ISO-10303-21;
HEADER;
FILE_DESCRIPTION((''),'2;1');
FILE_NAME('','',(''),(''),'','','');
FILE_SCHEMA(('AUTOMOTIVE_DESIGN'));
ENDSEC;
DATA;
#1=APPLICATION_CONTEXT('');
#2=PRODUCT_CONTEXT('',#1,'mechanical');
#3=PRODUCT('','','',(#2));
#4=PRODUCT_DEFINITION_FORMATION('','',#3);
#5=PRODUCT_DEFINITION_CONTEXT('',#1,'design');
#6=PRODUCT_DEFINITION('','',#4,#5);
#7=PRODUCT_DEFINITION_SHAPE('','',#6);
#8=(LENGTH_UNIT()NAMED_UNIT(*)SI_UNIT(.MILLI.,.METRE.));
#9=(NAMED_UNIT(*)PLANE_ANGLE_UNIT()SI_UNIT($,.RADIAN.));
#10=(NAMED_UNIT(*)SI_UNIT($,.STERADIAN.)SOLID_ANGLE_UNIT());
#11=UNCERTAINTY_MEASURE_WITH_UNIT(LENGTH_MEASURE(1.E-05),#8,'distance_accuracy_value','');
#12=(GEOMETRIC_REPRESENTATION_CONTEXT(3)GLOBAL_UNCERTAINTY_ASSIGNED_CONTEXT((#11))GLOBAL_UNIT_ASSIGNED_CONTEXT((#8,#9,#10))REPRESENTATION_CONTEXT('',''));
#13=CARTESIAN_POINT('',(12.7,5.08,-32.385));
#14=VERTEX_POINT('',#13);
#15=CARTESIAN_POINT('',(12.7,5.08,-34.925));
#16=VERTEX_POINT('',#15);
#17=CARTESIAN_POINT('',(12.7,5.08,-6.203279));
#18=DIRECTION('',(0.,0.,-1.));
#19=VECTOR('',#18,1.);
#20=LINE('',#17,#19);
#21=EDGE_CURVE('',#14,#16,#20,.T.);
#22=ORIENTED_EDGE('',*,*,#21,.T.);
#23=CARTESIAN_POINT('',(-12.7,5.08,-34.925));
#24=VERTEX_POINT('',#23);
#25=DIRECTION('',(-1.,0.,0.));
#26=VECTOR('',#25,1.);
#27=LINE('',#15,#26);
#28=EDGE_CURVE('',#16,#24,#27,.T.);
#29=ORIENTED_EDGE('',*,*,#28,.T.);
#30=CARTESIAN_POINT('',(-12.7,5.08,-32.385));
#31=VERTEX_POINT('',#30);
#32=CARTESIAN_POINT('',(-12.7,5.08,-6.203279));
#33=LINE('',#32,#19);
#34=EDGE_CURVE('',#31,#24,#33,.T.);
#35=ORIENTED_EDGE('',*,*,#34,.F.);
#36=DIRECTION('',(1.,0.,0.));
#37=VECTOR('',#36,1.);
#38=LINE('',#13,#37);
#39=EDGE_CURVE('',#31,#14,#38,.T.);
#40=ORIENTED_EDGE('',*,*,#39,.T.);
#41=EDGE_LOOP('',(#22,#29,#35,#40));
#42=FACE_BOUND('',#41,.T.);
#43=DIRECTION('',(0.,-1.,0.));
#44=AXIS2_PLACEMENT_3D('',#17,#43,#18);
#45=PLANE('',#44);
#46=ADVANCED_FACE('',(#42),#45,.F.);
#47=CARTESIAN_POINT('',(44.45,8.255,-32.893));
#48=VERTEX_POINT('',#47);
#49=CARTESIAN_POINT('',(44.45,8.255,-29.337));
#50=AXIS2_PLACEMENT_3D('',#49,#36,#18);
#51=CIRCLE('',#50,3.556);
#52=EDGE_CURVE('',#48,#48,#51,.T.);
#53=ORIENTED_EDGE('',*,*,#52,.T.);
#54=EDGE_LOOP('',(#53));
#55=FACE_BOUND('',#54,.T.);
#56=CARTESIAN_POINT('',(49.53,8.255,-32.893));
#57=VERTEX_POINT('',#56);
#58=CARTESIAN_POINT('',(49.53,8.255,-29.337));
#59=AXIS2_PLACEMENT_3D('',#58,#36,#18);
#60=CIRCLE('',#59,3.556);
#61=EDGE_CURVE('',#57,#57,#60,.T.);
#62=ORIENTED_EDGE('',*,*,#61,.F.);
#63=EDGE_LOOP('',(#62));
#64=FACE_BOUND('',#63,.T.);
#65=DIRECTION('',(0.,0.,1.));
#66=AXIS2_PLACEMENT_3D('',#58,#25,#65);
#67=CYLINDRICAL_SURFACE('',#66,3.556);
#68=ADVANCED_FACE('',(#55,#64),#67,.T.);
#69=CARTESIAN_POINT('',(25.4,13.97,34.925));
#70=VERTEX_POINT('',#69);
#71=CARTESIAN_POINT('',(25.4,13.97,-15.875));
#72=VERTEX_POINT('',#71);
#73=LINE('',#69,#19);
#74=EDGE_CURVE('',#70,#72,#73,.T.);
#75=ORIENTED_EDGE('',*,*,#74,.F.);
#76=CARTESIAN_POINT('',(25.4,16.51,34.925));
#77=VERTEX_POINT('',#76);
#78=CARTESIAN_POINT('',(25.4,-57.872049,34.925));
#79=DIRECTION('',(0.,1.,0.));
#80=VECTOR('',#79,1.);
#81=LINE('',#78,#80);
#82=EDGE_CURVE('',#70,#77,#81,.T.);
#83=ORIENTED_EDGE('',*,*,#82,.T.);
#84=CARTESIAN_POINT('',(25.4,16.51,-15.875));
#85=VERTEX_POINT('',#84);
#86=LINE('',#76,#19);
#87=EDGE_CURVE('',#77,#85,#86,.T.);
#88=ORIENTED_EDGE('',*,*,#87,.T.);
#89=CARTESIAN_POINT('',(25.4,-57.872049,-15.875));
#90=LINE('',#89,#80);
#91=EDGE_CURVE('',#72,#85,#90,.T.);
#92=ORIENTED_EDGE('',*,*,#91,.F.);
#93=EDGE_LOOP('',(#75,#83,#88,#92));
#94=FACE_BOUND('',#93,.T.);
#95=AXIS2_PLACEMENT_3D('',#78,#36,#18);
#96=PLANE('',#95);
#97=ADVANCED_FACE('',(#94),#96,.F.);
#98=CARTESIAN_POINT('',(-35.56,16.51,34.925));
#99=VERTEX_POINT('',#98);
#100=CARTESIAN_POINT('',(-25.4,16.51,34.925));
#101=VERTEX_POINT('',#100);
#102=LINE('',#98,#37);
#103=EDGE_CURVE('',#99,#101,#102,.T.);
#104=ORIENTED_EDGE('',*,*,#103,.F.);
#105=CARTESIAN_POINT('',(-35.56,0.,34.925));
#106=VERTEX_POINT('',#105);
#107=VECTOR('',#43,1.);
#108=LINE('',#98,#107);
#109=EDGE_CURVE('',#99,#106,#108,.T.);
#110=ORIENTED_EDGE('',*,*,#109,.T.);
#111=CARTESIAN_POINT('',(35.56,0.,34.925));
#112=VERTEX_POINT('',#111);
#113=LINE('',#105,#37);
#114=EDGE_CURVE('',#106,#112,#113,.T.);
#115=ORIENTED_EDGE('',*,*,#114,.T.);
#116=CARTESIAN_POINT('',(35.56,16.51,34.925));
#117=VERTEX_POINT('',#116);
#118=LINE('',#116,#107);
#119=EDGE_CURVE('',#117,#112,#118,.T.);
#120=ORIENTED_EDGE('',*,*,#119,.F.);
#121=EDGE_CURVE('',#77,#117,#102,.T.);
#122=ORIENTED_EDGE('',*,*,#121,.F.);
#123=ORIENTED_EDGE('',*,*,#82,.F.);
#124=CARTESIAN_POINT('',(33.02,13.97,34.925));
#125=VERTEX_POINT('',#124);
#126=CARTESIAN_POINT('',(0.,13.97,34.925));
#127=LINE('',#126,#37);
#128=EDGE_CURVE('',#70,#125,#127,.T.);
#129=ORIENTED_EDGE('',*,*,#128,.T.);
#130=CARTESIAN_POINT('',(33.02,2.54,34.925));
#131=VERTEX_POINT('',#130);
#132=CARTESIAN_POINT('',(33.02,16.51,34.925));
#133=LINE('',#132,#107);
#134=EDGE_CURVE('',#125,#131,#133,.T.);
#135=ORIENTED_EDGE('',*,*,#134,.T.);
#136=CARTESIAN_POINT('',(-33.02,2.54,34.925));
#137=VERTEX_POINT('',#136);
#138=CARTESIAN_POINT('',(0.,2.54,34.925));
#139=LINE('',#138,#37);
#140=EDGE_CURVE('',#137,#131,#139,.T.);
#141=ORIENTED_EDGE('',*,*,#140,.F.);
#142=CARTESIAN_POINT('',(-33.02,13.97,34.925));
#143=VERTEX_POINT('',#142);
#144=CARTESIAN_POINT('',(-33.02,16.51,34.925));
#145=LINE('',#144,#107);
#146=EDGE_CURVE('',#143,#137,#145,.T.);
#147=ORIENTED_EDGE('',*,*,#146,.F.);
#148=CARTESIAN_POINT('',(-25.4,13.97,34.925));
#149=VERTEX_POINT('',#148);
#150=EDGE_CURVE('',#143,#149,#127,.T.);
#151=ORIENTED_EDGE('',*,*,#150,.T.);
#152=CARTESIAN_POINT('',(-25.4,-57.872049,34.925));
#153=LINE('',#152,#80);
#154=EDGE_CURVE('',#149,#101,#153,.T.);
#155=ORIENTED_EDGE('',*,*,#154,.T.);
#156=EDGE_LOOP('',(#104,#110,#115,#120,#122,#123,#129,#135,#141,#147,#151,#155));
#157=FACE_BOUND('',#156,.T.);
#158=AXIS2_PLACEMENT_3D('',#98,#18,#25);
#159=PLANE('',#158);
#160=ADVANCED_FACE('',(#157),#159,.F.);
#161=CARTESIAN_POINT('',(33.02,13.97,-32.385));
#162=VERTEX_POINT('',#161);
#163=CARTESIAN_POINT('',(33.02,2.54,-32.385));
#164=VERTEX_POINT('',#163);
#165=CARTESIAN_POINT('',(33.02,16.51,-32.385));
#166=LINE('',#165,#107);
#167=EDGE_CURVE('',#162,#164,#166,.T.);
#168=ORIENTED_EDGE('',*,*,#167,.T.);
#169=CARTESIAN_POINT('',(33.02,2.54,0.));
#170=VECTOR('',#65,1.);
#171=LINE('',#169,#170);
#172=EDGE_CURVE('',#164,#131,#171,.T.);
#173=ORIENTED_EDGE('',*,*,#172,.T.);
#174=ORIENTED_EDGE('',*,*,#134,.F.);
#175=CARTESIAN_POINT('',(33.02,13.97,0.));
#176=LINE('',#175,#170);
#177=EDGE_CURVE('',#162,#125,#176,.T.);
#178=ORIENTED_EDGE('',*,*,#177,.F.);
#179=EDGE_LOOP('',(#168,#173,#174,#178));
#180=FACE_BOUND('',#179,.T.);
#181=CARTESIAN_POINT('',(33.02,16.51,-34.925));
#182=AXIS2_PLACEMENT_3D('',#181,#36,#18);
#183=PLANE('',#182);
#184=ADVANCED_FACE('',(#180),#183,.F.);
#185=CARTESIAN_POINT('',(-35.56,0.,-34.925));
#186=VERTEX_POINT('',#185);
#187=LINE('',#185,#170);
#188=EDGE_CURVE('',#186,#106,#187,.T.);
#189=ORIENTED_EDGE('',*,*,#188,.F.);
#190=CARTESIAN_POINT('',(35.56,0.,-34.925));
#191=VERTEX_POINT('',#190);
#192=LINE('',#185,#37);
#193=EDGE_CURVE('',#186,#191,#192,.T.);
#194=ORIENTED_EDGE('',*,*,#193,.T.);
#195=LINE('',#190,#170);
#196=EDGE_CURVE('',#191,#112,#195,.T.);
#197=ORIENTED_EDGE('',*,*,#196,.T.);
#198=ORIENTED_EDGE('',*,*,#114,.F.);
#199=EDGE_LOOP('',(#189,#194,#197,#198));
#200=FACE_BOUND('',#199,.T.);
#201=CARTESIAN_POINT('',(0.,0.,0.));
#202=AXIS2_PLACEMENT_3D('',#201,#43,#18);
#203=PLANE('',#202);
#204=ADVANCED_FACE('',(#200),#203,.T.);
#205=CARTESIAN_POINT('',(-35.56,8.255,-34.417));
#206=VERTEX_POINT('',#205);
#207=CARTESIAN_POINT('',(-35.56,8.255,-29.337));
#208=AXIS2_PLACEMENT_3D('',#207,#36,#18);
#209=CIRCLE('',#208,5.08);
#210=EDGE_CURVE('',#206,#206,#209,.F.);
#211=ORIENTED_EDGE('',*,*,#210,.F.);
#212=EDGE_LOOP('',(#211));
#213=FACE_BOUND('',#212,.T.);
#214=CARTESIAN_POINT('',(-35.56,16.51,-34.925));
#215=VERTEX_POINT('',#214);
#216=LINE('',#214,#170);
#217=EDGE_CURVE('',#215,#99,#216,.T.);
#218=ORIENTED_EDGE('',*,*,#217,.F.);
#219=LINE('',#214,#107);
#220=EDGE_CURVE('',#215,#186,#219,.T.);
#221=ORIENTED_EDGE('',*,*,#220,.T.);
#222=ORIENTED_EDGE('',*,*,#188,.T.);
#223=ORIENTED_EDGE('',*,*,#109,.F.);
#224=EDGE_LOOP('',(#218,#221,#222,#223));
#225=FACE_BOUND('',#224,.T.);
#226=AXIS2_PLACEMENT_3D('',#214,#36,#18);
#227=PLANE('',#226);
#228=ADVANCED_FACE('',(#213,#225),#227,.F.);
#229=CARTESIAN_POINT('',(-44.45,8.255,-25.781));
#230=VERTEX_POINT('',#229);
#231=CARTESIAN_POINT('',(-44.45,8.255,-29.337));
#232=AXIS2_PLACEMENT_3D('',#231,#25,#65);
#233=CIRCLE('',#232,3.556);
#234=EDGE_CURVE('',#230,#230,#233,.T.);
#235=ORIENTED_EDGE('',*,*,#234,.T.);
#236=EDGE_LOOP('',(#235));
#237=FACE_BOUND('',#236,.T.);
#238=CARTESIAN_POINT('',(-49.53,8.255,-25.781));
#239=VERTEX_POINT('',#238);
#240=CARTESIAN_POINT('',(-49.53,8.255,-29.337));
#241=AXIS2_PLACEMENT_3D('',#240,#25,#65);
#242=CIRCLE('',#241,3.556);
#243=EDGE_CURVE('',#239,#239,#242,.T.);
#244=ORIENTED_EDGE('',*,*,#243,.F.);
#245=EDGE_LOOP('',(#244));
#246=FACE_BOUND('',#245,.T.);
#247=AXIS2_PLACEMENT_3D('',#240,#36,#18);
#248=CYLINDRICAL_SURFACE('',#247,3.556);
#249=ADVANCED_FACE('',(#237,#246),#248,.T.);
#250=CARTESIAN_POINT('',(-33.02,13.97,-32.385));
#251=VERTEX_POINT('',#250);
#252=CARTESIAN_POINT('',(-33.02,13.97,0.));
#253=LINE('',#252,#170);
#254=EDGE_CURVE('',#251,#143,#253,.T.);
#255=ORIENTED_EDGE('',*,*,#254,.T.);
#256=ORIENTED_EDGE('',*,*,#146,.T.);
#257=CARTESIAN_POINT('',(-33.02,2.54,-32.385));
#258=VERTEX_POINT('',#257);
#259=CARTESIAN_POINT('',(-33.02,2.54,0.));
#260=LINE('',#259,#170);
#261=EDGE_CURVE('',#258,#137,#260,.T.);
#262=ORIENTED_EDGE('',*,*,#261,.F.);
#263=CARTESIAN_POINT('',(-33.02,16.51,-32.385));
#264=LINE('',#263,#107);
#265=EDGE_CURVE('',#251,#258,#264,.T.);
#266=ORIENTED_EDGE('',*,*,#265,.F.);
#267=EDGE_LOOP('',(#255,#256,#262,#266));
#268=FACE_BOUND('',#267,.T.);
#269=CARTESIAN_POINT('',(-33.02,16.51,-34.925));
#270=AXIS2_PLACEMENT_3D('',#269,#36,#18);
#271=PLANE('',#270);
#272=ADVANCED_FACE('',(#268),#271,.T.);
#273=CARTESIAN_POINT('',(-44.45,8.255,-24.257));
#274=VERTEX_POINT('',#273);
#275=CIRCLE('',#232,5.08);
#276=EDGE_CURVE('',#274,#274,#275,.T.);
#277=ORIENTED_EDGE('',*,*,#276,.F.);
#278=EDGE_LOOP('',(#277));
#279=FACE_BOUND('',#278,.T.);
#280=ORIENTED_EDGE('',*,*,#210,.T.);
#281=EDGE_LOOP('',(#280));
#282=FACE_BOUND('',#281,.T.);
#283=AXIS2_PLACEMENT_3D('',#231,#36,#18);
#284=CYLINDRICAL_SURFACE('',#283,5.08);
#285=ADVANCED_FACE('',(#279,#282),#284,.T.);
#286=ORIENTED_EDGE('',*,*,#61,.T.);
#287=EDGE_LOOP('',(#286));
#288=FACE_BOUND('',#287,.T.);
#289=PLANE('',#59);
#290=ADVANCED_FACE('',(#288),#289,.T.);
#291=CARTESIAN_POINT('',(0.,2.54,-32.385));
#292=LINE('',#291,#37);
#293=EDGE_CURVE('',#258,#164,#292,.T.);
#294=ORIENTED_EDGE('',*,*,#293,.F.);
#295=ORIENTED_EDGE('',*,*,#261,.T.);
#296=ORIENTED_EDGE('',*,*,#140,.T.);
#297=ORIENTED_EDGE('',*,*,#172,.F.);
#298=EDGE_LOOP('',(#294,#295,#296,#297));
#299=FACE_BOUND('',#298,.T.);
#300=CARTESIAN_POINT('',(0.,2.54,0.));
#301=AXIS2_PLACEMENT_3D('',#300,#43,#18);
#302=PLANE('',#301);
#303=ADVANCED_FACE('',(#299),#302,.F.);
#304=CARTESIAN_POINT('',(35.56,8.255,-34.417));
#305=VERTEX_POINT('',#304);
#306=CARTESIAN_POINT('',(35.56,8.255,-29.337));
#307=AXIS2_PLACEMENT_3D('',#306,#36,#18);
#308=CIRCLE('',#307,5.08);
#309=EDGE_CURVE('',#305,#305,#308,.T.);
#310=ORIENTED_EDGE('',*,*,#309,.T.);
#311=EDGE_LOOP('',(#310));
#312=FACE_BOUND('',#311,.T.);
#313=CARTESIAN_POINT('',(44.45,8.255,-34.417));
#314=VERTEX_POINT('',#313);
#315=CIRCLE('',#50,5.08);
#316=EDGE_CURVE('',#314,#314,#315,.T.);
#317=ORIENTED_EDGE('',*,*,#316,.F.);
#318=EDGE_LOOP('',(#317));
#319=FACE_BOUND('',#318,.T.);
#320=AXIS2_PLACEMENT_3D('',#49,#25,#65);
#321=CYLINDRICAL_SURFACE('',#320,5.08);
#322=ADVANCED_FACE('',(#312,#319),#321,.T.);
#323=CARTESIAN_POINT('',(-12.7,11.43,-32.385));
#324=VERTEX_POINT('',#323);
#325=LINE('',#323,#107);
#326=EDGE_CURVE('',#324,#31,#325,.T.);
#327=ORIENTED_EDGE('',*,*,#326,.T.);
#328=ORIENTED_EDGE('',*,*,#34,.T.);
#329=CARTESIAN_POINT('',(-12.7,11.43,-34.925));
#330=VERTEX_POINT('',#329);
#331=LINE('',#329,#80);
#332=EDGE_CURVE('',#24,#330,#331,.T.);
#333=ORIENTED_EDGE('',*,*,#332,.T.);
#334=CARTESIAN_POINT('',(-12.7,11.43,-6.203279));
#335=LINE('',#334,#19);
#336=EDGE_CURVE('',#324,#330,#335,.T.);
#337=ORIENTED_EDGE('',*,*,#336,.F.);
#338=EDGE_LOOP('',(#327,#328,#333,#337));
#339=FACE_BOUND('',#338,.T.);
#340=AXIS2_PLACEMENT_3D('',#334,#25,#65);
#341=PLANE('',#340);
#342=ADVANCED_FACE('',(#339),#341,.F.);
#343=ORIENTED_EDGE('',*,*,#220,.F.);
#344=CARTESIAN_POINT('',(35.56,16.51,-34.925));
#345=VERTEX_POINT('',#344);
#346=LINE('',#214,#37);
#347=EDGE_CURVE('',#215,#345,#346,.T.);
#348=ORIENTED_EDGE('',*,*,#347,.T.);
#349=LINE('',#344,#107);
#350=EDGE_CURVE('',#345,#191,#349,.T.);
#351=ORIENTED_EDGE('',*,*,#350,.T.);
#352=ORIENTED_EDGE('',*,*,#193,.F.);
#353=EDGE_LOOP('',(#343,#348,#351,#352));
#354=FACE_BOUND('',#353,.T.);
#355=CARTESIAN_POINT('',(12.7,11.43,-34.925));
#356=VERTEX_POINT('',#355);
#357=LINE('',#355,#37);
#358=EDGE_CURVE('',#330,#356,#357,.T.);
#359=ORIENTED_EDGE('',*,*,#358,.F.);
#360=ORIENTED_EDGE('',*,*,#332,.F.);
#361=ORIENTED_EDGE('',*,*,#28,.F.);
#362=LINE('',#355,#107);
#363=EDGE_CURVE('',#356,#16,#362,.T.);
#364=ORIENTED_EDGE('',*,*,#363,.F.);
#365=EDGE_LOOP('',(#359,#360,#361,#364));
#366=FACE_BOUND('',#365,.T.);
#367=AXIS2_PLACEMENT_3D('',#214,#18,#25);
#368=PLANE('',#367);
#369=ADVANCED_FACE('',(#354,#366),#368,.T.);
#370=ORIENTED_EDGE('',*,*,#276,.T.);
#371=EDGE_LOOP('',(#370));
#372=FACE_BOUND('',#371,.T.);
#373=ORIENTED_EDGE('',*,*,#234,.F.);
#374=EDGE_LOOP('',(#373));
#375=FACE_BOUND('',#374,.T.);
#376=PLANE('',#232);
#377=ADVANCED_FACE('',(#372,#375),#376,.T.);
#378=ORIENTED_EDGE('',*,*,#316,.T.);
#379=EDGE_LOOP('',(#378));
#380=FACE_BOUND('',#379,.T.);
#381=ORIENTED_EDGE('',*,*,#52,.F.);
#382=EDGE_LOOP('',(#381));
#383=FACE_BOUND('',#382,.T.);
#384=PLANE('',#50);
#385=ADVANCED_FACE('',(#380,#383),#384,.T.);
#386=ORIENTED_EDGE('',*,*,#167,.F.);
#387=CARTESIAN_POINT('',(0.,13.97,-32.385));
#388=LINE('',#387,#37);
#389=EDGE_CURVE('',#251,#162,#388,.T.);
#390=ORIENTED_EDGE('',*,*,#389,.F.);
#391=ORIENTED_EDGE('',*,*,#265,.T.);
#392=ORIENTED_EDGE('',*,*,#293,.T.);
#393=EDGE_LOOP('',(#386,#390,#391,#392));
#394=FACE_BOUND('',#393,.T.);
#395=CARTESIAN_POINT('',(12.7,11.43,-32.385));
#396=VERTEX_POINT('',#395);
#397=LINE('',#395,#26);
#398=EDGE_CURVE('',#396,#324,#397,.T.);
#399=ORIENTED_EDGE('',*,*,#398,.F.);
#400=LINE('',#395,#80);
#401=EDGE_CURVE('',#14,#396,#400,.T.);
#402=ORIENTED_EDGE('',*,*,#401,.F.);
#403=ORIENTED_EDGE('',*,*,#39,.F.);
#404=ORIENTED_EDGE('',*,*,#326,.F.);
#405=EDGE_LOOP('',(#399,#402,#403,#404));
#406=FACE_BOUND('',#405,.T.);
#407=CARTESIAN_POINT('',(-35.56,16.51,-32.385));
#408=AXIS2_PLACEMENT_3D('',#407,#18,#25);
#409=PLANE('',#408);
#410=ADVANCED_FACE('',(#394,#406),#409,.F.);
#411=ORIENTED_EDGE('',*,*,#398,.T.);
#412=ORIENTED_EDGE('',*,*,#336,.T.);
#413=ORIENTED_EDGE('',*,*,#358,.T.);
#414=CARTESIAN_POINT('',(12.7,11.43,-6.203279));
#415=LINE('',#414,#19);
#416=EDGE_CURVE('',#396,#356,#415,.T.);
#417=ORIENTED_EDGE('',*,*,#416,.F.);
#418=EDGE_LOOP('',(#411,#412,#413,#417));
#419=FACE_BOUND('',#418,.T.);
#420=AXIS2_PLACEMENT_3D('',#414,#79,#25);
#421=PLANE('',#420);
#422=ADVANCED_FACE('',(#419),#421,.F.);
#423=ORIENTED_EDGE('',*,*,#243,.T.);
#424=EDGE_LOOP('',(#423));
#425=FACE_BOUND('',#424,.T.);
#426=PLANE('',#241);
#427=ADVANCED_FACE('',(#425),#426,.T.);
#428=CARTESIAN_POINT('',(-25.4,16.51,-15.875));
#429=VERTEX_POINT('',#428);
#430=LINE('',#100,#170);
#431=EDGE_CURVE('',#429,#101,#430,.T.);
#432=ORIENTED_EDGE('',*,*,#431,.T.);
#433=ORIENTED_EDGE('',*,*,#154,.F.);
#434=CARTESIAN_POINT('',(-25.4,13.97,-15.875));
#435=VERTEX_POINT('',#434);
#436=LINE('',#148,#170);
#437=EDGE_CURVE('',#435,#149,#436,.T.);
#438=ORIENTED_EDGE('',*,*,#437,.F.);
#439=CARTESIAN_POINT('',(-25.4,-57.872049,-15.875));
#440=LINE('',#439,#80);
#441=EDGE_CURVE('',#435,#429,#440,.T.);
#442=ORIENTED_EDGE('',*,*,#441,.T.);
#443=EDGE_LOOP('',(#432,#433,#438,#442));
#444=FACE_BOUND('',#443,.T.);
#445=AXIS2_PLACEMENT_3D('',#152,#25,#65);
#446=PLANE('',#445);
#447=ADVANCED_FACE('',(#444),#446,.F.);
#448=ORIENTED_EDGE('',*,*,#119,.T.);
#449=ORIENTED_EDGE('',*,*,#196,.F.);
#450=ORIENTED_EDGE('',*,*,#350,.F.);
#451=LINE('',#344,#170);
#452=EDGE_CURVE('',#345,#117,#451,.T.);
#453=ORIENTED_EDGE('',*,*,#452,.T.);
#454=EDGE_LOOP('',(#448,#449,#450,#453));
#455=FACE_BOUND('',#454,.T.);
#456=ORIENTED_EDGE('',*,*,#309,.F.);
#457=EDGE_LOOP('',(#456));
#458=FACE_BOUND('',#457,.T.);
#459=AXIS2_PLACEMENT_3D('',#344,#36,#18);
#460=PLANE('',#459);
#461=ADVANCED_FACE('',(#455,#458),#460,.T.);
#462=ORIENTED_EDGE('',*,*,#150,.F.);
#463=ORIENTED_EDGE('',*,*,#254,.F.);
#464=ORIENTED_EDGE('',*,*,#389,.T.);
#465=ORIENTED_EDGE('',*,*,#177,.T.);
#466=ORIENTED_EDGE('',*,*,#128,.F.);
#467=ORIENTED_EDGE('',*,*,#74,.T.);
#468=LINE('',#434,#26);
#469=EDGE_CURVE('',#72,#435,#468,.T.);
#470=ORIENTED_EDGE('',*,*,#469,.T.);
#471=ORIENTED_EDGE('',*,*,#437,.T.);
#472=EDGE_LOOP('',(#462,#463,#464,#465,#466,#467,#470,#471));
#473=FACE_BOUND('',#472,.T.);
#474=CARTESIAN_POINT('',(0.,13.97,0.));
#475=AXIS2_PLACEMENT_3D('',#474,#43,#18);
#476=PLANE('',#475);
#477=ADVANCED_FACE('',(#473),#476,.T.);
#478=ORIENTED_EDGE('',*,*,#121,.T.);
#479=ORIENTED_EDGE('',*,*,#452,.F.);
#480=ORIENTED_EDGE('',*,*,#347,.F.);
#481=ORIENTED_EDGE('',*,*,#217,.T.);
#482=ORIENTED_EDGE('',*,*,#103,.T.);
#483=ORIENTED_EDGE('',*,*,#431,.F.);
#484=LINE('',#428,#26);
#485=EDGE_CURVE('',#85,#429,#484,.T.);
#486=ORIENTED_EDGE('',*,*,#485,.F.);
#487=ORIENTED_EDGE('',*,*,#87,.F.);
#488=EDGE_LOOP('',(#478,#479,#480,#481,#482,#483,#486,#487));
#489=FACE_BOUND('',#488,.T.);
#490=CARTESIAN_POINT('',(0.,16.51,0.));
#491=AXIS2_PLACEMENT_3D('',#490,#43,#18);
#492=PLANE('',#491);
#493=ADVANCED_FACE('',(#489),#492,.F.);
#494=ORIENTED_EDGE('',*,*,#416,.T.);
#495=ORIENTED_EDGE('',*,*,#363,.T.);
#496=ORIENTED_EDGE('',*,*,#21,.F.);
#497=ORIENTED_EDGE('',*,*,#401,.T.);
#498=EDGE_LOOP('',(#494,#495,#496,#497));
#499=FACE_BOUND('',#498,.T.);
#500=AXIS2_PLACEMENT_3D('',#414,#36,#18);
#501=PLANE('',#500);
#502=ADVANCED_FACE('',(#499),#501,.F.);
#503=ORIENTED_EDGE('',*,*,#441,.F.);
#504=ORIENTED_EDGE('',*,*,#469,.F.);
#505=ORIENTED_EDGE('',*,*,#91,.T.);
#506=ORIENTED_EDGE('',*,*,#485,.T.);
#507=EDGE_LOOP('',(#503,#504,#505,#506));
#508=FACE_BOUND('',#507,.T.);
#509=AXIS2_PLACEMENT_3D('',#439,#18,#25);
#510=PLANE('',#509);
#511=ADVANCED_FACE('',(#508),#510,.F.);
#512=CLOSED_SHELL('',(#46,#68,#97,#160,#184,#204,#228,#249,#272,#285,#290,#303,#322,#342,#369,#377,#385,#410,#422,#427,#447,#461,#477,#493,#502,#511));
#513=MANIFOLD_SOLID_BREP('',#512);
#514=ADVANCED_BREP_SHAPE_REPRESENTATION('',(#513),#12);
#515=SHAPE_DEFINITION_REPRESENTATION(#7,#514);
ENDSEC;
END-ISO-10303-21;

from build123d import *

# Parameters (mm, degrees)
SKETCH1_W           = 71.12
SKETCH1_H           = 69.85
BOSS_EXTRUDE1_DEPTH = 16.51
SHELL1_T            = -2.54
SKETCH4_R           = 5.08
BOSS_EXTRUDE2_DEPTH = 8.89
BOSS_EXTRUDE3_START = 8.89
SKETCH3_R           = 5.08
BOSS_EXTRUDE3_DEPTH = 8.89
SKETCH6_R           = 3.556
BOSS_EXTRUDE4_DEPTH = 5.08
BOSS_EXTRUDE5_START = 5.08
SKETCH5_R           = 3.556
BOSS_EXTRUDE5_DEPTH = 5.08
SKETCH7_W           = 50.8
SKETCH7_H           = 50.8
CUT_EXTRUDE1_DEPTH  = 2.54
SKETCH8_W           = 25.4
SKETCH8_H           = 6.35
CUT_EXTRUDE2_DEPTH  = 2.54


with BuildPart() as part:
    # Sketch1 → Boss-Extrude1 (new body)
    with BuildSketch(Plane(origin=(0, 0, 0), x_dir=(1, 0, 0), z_dir=(0, 1, 0))):
        Rectangle(SKETCH1_W, SKETCH1_H)
    extrude(amount=BOSS_EXTRUDE1_DEPTH)

    # Shell1
    shell1_openings = [part.faces().sort_by_distance(p)[0] for p in [
        (0, 8.255, 34.925),
    ]]
    offset(amount=SHELL1_T, openings=shell1_openings, kind=Kind.INTERSECTION)

    # Sketch4 → Boss-Extrude2 (add)
    with BuildSketch(Plane.ZY.offset(35.56)):
        with Locations(Location((-29.337, 8.255, 0), (0, 0, 180))):
            Circle(SKETCH4_R)
    extrude(amount=BOSS_EXTRUDE2_DEPTH)

    # Sketch3 → Boss-Extrude3 (add)
    with BuildSketch(Plane(origin=(35.56, 0, 0), x_dir=(0, 0, -1), z_dir=(1, 0, 0)).offset(BOSS_EXTRUDE3_START)):
        with Locations((29.337, 8.255)):
            Circle(SKETCH3_R)
    extrude(amount=-BOSS_EXTRUDE3_DEPTH)

    # Sketch6 → Boss-Extrude4 (add)
    with BuildSketch(Plane(origin=(44.45, 0, 0), x_dir=(0, 0, -1), z_dir=(1, 0, 0))):
        with Locations((29.337, 8.255)):
            Circle(SKETCH6_R)
    extrude(amount=BOSS_EXTRUDE4_DEPTH)

    # Sketch5 → Boss-Extrude5 (add)
    with BuildSketch(Plane.ZY.offset(44.45).offset(BOSS_EXTRUDE5_START)):
        with Locations(Location((-29.337, 8.255, 0), (0, 0, 180))):
            Circle(SKETCH5_R)
    extrude(amount=-BOSS_EXTRUDE5_DEPTH)

    # Sketch7 → Cut-Extrude1 (cut)
    with BuildSketch(Plane(origin=(0, 16.51, 0), x_dir=(1, 0, 0), z_dir=(0, 1, 0))):
        with Locations((0, -9.525)):
            Rectangle(SKETCH7_W, SKETCH7_H)
    extrude(amount=-CUT_EXTRUDE1_DEPTH, mode=Mode.SUBTRACT)

    # Sketch8 → Cut-Extrude2 (cut)
    with BuildSketch(Plane(origin=(0, 0, -34.925), x_dir=(-1, 0, 0), z_dir=(0, 0, -1))):
        with Locations((0, 8.255)):
            Rectangle(SKETCH8_W, SKETCH8_H)
    extrude(amount=-CUT_EXTRUDE2_DEPTH, mode=Mode.SUBTRACT)


solid = part.part
